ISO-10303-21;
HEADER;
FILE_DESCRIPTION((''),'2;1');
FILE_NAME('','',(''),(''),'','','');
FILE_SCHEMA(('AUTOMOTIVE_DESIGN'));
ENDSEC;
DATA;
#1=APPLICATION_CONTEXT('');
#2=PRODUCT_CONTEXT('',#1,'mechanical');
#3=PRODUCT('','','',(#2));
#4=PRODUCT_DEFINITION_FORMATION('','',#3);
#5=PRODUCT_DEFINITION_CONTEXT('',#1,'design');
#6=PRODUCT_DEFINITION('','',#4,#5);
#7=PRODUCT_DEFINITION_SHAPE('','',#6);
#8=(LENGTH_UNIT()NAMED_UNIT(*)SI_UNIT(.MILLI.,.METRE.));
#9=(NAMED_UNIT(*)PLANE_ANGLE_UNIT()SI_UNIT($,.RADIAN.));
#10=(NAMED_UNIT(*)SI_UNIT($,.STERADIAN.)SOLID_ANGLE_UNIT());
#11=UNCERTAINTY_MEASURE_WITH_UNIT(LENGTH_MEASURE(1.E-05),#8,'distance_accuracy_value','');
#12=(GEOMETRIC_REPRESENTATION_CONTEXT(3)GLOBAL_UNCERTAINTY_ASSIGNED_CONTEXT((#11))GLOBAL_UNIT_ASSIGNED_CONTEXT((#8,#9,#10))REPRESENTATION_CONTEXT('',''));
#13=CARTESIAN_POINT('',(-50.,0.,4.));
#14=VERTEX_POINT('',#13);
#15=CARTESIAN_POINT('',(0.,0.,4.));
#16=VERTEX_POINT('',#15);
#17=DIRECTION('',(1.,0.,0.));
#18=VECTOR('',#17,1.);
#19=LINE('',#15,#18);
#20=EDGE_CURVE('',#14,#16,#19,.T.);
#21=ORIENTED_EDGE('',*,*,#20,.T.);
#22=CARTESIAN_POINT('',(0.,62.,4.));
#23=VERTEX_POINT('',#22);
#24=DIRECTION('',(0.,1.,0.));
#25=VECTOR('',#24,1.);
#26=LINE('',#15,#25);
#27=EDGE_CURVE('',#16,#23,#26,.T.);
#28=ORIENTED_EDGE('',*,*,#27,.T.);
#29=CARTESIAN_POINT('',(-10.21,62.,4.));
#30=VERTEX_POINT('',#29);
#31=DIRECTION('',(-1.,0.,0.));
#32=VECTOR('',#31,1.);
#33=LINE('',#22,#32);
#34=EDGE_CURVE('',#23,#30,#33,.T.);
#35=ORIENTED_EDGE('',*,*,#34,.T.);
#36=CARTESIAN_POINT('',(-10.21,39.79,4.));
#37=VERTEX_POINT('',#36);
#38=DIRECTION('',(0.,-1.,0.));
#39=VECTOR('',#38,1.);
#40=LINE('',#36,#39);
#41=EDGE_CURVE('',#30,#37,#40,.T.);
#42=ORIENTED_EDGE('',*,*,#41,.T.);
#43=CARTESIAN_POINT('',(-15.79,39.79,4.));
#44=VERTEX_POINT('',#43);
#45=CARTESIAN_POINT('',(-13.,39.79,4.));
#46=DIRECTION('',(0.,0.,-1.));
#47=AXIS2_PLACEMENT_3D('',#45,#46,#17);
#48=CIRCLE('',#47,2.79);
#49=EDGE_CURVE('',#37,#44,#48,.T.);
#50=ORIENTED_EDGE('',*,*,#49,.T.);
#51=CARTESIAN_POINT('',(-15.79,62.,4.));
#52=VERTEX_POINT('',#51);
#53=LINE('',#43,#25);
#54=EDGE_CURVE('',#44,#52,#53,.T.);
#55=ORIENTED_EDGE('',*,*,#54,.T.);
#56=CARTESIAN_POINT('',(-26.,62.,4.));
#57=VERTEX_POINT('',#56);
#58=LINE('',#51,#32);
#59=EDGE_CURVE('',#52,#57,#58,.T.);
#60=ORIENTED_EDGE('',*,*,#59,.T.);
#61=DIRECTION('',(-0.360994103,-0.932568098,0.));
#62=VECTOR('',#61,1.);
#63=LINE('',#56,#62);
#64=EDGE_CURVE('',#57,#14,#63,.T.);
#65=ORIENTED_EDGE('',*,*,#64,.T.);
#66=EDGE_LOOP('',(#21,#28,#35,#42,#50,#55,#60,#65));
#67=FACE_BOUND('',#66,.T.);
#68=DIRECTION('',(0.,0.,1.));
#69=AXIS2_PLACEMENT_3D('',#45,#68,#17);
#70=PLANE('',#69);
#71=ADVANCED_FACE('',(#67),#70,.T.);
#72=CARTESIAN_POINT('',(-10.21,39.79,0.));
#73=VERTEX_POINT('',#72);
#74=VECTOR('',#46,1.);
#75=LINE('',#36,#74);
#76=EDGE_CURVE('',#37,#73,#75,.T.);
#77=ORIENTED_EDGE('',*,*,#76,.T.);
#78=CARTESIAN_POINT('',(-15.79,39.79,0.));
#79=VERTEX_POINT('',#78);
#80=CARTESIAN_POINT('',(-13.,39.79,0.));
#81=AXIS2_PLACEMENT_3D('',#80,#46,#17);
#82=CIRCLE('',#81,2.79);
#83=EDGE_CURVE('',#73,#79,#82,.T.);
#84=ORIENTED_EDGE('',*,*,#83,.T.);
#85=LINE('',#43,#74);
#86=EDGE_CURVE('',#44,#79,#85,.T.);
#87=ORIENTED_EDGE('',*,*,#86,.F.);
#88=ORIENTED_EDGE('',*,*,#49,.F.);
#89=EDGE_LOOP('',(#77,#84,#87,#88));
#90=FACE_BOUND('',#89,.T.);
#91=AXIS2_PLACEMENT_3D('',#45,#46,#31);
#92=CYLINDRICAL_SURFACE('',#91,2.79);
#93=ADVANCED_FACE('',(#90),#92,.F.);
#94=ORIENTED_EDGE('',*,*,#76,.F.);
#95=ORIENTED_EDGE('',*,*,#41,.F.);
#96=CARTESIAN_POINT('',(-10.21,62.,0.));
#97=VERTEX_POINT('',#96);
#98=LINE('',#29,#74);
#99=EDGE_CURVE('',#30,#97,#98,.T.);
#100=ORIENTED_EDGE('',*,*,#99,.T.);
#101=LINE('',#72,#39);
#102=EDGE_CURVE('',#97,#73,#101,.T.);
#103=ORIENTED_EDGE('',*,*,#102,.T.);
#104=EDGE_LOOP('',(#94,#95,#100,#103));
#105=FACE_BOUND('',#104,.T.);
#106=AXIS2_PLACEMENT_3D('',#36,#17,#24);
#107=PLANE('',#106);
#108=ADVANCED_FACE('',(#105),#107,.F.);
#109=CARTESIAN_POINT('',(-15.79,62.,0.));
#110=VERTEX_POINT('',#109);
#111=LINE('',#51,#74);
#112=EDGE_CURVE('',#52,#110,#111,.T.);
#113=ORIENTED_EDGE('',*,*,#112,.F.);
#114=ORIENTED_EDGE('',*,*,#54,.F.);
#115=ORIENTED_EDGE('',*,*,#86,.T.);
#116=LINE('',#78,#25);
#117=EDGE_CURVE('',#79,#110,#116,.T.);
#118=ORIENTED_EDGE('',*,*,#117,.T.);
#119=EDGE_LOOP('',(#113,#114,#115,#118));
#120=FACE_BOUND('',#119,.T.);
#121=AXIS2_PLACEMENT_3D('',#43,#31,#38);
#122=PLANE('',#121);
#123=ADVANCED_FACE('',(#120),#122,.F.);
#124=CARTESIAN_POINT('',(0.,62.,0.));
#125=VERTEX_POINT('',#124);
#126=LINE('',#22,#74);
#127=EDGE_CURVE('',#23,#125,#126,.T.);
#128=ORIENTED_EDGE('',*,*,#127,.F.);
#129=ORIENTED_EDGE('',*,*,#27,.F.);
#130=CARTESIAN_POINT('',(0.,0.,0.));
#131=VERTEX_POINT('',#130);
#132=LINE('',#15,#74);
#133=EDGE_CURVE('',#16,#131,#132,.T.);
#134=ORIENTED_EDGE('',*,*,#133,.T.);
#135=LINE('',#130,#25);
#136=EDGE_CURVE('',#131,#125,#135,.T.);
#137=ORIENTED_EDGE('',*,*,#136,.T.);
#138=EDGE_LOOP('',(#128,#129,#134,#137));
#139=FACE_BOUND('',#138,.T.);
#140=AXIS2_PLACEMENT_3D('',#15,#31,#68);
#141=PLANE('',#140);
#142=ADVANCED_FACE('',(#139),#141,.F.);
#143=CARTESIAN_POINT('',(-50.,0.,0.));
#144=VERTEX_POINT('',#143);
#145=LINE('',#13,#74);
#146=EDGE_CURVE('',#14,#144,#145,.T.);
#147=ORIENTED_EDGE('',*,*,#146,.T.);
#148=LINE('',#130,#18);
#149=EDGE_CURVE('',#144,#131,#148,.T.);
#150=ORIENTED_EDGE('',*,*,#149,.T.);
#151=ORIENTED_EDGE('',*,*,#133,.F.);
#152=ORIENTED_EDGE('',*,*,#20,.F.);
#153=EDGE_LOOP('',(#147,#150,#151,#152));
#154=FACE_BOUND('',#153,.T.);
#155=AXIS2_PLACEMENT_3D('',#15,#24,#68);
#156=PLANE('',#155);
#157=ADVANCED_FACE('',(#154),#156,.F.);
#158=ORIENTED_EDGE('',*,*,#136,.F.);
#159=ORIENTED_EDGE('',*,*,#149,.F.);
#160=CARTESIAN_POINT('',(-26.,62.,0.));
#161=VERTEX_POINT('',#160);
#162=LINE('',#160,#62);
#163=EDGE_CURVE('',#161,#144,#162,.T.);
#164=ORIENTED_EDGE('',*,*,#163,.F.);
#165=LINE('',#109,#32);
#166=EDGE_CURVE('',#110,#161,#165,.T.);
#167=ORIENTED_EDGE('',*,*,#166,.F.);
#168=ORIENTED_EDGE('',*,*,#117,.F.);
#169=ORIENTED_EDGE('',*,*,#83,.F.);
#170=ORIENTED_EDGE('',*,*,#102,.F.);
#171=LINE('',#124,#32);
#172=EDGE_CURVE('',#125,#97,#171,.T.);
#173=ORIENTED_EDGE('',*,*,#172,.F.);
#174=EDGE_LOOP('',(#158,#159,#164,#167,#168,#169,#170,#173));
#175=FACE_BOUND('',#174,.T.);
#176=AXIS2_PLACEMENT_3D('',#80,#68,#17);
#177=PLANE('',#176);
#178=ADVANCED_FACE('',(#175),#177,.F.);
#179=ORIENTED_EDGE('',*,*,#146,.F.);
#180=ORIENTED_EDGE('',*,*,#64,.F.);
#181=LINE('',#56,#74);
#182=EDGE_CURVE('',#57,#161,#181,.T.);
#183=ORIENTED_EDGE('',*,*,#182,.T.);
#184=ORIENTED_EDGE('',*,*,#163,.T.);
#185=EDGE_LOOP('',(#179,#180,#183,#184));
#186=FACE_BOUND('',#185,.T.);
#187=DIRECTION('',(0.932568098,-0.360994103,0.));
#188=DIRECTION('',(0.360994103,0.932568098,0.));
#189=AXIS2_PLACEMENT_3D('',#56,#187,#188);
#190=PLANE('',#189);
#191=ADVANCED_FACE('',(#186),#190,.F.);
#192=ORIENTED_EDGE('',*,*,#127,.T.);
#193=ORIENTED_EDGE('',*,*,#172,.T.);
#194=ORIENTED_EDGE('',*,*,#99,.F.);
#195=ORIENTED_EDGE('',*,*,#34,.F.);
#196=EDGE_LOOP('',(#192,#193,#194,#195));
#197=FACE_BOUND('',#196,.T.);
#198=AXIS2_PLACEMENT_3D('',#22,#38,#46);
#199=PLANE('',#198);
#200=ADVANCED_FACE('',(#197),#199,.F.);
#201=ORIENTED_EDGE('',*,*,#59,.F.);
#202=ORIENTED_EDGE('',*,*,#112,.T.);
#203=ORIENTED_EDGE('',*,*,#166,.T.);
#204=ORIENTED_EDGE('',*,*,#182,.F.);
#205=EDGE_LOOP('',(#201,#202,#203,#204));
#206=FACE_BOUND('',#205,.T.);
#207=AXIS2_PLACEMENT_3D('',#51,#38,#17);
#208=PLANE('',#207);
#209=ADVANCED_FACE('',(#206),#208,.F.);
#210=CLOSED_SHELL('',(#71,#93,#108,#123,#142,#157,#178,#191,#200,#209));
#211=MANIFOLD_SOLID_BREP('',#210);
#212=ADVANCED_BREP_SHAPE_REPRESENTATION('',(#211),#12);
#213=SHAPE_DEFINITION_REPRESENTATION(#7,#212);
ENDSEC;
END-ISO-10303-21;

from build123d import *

# Parameters (mm, degrees)
BOSS_EXTRU_1_DEPTH = 4


with BuildPart() as part:
    # Esquisse1 → Boss.-Extru.1 (new body)
    with BuildSketch(Plane.XY):
        with BuildLine():
            Line((0, 0), (-50, 0))
            Line((-50, 0), (-26, 62))
            Line((-26, 62), (-15.79, 62))
            Line((-15.79, 62), (-15.79, 39.79))
            ThreePointArc((-15.79, 39.79), (-13, 37), (-10.21, 39.79))
            Line((-10.21, 39.79), (-10.21, 62))
            Line((-10.21, 62), (0, 62))
            Line((0, 62), (0, 0))
        make_face()
    extrude(amount=BOSS_EXTRU_1_DEPTH)


solid = part.part
